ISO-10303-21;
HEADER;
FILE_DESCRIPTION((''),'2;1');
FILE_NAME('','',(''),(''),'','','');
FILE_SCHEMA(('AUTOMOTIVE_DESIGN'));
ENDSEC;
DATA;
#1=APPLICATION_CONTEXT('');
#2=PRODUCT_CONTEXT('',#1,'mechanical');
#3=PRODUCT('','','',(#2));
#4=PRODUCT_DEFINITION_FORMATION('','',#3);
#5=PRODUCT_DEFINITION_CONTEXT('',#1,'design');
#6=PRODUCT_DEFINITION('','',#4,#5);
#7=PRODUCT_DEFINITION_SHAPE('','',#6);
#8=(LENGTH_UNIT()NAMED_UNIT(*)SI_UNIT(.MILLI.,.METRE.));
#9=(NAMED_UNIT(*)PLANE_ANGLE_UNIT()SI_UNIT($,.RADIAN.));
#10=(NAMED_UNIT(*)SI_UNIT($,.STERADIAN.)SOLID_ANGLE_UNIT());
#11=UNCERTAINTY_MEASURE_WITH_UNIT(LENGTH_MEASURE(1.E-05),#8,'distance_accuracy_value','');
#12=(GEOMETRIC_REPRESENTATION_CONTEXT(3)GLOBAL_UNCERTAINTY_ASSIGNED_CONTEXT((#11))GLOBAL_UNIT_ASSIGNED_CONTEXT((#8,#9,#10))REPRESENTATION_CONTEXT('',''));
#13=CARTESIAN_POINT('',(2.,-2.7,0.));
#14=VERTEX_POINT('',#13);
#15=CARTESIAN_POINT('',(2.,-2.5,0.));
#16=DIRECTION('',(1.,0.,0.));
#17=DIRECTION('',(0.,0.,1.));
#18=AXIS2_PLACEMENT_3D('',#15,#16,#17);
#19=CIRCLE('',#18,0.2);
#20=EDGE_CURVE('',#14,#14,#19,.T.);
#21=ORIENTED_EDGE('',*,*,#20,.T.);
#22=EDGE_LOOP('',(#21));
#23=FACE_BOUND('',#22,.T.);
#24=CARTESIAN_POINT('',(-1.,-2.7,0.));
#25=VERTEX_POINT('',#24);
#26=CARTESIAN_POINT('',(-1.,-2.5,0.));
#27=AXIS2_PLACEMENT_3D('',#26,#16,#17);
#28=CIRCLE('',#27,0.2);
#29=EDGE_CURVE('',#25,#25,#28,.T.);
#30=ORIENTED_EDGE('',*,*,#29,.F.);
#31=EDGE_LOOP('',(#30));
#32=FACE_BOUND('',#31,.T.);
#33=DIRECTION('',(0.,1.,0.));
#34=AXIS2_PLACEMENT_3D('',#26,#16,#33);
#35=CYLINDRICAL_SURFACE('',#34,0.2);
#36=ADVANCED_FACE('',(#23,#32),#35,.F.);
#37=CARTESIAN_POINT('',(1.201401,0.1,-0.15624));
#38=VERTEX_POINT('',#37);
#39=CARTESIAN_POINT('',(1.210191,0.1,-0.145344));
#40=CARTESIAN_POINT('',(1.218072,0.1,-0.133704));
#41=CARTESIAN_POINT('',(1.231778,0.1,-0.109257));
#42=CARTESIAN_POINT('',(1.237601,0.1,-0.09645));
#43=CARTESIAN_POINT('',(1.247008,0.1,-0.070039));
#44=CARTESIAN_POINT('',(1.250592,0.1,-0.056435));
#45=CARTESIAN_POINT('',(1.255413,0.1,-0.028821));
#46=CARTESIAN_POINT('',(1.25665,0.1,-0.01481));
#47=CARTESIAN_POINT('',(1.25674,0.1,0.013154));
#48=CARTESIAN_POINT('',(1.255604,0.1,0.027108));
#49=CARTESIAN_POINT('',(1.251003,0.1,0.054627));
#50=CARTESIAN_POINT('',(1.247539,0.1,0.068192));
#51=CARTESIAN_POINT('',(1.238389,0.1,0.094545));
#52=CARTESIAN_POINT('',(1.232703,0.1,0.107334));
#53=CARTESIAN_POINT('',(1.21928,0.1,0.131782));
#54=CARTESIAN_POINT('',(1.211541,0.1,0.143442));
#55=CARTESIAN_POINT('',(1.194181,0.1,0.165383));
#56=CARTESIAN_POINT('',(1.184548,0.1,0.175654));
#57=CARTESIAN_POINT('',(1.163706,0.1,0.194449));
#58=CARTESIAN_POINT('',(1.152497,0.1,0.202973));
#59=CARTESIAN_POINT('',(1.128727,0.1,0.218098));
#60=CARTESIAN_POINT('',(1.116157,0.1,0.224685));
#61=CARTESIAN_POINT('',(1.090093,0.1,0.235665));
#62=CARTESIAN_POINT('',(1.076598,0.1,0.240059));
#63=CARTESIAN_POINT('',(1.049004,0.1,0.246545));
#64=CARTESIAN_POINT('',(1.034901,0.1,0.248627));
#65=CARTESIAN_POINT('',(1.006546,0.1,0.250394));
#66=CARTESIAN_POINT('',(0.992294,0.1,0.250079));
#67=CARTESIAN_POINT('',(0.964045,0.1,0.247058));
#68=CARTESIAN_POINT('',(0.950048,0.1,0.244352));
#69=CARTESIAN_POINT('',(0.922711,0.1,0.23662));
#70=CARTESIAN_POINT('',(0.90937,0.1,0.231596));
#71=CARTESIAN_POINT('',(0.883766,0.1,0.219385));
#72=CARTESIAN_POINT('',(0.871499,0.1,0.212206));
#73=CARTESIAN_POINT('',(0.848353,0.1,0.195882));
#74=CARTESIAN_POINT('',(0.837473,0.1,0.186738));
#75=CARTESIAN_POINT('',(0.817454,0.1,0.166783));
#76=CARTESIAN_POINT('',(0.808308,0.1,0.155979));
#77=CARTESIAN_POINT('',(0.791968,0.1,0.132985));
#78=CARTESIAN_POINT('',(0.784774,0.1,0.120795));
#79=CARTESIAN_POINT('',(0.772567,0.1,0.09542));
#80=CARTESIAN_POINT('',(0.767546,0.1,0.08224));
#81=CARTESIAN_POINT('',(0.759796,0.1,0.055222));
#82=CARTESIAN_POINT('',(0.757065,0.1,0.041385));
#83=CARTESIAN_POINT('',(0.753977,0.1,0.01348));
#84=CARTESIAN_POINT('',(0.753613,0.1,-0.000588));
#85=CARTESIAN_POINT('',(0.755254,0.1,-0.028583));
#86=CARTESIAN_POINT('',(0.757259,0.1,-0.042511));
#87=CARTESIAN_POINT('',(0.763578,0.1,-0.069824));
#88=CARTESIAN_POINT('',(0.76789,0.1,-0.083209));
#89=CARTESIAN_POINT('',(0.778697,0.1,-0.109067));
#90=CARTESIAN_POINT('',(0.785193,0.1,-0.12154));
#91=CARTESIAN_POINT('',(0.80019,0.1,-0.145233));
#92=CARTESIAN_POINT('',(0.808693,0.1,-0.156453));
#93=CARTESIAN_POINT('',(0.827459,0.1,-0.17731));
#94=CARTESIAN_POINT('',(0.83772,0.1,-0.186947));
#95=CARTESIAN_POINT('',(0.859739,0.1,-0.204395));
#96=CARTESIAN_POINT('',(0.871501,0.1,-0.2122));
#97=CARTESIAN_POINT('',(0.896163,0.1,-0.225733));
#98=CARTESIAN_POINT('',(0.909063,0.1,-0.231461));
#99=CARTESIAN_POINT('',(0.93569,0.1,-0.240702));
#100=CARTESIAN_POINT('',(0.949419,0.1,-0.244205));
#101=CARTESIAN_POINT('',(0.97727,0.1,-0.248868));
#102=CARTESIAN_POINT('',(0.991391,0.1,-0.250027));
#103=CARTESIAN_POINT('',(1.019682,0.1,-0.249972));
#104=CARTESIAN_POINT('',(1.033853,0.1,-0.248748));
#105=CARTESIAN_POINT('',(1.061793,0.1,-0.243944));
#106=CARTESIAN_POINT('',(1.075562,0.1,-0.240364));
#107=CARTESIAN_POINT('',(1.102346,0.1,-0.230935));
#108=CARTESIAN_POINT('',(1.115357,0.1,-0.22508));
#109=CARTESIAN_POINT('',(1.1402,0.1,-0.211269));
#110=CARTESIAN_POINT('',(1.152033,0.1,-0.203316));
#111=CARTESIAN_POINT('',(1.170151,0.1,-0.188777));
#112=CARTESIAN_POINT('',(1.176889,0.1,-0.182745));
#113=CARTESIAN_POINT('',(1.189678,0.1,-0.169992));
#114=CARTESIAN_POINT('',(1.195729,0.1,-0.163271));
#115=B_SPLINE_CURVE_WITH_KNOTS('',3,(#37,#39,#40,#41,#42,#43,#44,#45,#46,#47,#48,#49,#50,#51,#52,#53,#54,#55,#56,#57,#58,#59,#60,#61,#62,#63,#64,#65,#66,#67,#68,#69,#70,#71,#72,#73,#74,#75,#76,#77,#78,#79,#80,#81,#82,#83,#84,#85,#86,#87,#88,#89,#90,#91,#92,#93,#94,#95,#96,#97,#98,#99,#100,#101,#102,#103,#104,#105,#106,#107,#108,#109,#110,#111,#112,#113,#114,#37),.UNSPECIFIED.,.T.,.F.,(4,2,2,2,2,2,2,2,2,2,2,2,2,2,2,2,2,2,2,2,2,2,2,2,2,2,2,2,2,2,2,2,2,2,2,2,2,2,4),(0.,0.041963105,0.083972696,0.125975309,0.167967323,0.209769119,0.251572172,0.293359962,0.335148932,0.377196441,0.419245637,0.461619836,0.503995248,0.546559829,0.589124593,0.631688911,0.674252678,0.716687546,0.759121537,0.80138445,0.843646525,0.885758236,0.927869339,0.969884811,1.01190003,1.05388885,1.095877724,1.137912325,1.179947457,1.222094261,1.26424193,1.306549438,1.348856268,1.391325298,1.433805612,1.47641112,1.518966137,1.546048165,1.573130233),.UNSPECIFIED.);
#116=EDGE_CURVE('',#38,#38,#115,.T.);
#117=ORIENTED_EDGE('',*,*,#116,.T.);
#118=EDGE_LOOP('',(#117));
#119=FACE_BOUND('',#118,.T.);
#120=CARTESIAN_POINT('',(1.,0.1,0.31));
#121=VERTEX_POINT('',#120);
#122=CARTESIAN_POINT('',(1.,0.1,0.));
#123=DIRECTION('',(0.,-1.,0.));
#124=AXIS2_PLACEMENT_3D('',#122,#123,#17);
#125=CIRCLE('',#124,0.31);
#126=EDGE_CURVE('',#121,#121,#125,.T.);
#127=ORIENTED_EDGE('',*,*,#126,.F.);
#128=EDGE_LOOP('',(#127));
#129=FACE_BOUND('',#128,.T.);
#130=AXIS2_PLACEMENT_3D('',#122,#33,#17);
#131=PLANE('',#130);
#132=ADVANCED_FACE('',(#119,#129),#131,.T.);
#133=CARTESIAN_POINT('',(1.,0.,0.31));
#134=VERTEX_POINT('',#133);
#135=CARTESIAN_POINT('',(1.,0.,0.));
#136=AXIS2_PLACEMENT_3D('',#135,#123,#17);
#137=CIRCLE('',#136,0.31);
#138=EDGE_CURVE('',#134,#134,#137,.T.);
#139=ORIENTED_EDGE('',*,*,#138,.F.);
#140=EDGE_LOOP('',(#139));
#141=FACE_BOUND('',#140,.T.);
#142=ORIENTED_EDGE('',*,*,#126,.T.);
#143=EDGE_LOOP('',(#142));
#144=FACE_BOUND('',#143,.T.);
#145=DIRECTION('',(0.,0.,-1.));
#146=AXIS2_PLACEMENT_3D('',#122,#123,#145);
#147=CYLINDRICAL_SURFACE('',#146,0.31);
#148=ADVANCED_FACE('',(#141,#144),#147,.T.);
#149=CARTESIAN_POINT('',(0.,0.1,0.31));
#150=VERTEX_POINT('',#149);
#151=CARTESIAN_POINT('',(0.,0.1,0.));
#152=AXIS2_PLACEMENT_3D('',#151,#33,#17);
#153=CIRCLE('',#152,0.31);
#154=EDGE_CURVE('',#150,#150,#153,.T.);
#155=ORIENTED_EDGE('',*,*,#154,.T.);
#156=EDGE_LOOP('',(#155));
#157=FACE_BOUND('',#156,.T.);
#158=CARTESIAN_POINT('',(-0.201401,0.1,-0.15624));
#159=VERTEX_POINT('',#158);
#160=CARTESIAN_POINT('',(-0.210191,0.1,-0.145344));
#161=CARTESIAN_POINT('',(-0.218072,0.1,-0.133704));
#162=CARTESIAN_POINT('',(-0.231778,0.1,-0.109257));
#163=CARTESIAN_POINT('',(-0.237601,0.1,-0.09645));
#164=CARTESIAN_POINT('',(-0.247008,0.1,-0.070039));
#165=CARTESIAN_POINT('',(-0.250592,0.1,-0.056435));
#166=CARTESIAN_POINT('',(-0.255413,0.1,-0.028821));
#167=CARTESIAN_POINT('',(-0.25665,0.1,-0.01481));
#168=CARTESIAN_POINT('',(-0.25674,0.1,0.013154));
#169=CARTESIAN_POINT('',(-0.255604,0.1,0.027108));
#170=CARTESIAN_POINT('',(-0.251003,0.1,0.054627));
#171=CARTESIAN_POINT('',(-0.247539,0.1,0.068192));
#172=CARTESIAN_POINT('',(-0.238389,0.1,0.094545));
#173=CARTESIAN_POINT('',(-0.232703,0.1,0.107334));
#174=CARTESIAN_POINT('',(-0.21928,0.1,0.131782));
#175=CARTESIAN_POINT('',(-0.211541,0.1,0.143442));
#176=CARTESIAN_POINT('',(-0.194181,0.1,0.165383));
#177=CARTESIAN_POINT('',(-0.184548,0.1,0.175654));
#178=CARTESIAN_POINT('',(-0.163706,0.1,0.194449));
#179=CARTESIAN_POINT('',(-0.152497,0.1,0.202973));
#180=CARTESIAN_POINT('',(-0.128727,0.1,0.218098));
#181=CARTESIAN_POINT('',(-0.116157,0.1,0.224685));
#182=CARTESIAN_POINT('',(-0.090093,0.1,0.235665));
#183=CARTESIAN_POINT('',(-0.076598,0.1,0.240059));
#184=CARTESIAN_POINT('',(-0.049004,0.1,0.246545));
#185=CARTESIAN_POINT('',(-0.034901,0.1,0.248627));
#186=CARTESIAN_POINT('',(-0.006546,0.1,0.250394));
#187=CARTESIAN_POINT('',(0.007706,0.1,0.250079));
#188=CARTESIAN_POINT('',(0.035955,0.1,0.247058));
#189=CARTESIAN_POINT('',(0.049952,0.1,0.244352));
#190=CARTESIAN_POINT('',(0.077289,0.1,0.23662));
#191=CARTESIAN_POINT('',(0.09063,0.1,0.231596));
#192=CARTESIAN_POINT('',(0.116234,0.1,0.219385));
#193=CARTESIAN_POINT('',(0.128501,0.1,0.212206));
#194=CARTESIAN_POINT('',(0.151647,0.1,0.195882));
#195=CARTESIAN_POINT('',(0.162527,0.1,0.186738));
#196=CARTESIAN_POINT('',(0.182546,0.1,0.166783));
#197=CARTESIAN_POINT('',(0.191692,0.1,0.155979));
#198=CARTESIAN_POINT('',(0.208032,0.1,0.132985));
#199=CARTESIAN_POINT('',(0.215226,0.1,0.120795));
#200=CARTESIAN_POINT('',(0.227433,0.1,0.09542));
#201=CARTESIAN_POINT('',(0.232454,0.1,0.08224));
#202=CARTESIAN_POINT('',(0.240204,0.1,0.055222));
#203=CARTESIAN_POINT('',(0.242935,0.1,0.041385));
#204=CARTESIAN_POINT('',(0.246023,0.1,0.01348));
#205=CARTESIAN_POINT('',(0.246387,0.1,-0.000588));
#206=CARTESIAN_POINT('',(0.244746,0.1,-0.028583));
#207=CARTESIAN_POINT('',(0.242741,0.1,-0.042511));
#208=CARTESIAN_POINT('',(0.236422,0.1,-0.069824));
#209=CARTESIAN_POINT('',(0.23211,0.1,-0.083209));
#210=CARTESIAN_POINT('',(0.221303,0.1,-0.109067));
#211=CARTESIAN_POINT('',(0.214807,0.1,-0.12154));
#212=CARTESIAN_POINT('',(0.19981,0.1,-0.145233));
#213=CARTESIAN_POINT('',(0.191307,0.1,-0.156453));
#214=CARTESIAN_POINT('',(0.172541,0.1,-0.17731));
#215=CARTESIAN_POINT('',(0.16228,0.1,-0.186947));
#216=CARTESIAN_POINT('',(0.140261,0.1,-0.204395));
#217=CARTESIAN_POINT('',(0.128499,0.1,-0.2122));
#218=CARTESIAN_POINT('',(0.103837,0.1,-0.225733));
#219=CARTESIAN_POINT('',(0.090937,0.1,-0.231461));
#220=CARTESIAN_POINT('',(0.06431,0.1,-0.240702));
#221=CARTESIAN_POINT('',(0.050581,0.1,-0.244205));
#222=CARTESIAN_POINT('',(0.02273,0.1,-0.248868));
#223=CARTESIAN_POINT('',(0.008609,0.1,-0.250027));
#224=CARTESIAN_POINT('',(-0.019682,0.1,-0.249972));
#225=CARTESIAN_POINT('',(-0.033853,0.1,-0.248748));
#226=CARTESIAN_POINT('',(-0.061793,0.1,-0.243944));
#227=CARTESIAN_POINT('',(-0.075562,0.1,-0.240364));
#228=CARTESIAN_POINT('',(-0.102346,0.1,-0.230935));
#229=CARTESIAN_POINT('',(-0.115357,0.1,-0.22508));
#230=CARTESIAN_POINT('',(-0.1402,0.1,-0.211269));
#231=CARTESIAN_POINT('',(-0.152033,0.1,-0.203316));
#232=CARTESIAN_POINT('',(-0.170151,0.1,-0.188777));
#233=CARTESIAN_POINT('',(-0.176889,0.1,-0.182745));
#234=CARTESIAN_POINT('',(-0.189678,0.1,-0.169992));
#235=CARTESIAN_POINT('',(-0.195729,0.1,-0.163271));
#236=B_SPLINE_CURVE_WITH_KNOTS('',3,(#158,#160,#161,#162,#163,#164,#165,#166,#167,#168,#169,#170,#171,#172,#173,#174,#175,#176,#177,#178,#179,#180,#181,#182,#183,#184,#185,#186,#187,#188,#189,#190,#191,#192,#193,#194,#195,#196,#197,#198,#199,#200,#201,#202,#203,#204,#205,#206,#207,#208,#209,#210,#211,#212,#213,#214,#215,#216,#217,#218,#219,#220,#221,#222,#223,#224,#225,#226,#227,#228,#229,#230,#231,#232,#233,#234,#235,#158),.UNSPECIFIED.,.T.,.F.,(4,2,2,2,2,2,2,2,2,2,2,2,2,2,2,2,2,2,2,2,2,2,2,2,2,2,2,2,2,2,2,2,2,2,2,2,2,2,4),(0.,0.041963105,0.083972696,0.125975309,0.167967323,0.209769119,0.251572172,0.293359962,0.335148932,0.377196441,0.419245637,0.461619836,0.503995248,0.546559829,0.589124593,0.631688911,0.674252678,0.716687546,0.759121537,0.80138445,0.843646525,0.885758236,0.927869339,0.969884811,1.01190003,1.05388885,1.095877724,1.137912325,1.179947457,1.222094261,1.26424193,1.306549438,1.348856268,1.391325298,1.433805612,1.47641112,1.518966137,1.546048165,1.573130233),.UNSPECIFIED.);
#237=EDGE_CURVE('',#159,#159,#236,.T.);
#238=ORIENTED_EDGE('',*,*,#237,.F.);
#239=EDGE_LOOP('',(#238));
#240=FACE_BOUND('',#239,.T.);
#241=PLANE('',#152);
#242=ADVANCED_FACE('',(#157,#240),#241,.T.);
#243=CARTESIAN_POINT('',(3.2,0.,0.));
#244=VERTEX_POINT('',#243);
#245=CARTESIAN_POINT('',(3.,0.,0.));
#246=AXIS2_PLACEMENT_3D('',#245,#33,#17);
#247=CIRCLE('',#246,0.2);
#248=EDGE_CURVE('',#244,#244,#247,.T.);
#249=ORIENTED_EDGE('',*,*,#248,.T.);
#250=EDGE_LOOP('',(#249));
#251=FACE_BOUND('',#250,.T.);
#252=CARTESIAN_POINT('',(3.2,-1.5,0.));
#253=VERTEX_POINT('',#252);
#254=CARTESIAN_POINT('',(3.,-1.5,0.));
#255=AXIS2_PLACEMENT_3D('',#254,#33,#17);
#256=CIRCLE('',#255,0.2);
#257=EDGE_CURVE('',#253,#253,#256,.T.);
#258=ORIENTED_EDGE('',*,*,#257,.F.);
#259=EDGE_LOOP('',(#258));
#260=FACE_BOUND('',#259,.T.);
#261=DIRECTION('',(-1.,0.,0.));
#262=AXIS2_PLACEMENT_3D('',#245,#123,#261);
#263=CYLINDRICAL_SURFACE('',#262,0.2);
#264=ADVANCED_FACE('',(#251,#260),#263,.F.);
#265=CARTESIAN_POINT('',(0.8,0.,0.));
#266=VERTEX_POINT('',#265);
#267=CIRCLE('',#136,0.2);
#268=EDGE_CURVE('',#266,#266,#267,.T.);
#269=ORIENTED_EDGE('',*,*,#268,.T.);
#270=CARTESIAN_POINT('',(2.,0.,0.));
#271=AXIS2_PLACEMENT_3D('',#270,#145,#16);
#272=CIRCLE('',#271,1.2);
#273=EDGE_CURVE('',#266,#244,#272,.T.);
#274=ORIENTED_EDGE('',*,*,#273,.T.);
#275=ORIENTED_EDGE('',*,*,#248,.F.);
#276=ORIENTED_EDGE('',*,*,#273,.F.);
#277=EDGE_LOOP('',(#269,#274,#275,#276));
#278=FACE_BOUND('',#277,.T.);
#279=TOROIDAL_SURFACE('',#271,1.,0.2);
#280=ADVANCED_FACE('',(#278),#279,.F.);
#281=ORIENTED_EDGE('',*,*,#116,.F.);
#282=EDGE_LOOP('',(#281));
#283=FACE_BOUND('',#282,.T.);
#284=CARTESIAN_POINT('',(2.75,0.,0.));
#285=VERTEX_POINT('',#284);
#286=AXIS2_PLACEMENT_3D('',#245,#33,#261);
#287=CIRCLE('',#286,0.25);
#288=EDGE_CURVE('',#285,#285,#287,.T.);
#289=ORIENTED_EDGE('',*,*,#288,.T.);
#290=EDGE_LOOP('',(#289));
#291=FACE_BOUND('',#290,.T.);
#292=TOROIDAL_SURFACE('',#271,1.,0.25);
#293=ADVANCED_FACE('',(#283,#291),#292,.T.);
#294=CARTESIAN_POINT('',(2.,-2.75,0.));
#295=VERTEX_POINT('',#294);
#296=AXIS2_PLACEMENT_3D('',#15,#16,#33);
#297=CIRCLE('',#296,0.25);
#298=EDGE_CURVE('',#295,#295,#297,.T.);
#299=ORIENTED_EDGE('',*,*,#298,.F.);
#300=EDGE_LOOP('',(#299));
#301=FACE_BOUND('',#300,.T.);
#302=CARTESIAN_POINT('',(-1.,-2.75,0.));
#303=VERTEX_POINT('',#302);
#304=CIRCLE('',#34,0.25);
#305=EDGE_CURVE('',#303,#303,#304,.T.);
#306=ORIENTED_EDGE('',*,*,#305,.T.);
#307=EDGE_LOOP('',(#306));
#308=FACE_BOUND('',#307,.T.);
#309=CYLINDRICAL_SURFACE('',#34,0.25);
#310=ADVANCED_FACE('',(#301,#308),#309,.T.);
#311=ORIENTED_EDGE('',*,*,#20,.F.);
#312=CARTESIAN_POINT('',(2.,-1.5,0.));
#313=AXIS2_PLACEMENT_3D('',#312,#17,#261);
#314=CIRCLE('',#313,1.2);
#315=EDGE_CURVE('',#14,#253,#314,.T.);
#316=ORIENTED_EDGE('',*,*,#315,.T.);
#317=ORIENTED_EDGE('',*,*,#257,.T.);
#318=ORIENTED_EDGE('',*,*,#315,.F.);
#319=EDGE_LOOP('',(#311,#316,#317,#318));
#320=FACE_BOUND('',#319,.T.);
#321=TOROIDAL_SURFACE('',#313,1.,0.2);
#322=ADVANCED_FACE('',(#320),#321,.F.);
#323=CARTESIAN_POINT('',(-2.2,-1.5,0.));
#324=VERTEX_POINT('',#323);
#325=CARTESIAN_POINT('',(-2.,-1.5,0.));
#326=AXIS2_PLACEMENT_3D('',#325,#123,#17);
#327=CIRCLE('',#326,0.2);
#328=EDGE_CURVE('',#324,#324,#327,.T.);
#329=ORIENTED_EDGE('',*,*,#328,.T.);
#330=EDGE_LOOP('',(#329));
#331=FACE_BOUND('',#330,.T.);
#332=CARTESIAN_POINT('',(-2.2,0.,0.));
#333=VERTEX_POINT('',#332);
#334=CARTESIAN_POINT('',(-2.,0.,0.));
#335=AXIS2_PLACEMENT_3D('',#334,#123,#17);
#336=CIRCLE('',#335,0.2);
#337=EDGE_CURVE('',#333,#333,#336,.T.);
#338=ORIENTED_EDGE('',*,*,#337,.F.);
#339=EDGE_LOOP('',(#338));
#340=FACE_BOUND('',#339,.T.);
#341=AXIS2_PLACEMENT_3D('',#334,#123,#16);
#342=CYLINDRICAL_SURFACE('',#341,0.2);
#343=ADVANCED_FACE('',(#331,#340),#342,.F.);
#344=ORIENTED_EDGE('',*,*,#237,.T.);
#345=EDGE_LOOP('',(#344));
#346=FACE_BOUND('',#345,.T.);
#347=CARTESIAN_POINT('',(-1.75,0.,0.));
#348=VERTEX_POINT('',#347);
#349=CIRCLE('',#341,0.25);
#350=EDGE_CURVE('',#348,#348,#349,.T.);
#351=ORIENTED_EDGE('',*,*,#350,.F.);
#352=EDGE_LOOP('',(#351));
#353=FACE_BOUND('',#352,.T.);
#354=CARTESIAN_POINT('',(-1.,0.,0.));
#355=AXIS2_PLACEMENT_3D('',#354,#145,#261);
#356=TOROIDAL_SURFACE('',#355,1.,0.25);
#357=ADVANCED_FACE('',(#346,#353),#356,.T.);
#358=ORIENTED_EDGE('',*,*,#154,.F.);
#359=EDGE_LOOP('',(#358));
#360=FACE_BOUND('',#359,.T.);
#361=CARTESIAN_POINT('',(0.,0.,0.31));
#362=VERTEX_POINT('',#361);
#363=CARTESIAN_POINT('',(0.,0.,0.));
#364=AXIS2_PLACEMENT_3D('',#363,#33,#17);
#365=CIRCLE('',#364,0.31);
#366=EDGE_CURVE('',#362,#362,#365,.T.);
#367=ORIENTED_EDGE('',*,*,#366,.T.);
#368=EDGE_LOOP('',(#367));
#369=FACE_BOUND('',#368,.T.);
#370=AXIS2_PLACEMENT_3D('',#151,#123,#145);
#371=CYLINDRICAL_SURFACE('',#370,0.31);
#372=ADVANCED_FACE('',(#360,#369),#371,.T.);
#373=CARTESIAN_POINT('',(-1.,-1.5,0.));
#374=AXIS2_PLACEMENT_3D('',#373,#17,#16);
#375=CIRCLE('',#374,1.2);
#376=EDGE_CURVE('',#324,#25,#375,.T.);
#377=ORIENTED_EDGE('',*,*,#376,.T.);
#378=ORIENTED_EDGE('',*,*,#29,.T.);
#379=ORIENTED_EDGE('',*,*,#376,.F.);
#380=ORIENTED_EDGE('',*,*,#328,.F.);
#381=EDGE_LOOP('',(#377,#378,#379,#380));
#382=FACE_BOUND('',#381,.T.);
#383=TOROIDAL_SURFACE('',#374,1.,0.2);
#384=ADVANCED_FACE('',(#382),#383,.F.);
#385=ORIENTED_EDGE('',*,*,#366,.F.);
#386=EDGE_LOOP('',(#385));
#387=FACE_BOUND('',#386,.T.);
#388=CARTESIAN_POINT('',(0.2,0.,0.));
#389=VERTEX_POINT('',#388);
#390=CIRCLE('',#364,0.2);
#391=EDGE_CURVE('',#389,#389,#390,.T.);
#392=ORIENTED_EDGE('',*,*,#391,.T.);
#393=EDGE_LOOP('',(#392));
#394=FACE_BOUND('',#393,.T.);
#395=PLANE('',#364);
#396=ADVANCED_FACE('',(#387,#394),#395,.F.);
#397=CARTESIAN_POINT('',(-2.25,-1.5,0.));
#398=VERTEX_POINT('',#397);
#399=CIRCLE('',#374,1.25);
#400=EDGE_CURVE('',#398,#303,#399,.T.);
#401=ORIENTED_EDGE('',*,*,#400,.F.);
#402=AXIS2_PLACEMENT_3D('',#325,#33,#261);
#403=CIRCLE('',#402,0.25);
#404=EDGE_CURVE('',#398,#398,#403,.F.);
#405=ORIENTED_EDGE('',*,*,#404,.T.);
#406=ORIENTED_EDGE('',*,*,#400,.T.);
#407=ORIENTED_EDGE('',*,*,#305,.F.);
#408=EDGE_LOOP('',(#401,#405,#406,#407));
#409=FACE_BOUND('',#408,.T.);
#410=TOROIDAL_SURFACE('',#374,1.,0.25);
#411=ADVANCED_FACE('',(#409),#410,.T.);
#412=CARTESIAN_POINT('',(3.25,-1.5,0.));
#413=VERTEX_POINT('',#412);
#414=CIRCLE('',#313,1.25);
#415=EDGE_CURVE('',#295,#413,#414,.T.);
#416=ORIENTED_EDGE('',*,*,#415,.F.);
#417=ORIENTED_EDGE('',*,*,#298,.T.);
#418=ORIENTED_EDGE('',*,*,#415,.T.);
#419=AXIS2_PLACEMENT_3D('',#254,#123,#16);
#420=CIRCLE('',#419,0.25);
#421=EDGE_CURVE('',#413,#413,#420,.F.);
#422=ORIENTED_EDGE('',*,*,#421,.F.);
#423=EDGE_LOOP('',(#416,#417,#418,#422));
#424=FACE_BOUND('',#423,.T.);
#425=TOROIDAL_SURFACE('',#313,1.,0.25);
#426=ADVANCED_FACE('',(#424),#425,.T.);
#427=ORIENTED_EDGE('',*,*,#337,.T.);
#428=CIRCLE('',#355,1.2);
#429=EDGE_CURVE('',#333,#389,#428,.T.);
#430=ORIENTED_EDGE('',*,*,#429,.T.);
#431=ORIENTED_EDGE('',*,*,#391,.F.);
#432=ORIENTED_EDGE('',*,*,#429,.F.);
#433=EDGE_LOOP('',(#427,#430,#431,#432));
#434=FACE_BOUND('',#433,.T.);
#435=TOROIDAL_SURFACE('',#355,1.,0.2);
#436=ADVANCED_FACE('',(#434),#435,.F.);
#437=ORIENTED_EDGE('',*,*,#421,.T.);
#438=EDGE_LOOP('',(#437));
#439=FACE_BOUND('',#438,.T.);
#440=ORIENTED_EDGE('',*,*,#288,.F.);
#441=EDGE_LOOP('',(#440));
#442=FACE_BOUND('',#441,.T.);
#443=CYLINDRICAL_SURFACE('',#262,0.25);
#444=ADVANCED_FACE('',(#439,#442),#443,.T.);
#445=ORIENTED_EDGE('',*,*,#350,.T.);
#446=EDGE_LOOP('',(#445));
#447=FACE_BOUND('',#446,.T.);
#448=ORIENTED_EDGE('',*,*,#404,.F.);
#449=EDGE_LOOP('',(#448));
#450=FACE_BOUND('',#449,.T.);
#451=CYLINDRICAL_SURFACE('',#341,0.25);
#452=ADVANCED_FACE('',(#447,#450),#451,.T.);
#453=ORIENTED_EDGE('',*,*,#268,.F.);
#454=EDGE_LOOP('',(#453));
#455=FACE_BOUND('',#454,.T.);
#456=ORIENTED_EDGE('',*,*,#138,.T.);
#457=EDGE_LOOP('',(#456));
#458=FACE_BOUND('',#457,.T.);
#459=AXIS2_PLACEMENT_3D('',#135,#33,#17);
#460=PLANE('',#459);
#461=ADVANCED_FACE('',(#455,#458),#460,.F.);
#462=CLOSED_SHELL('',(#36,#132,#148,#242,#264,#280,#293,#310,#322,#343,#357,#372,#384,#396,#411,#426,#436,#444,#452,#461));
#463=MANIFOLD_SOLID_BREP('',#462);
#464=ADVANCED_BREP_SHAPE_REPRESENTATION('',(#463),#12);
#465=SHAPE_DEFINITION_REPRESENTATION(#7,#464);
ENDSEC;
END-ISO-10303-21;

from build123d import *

# Parameters (mm, degrees)
SKETCH3_R   = 0.25
SKETCH3_R_2 = 0.2
SKETCH6_R   = 0.31
SKETCH6_R_2 = 0.21


with BuildPart() as part:
    # Sweep-Thin1: sweep along a path in Sketch1
    with BuildLine(Plane.XY) as sweep_thin1_path:
        Line((0.5, -2.5), (-1, -2.5))
        ThreePointArc((-1, -2.5), (-1.707106781, -2.207106781), (-2, -1.5))
        Line((-2, -1.5), (-2, 0))
        ThreePointArc((-2, 0), (-1, 1), (0, 0))
    # Sketch3 → Sweep-Thin1 (sweep)
    with BuildSketch(Plane(origin=(0, 0, 0), x_dir=(1, 0, 0), z_dir=(0, 1, 0))):
        Circle(SKETCH3_R)
        Circle(SKETCH3_R_2, mode=Mode.SUBTRACT)
    sweep(path=sweep_thin1_path.line)

    # Sweep-Thin2: sweep along a path in Sketch5
    with BuildLine(Plane.XY) as sweep_thin2_path:
        Line((0, 0), (0, 0.1))
    # Sketch6 → Sweep-Thin2 (sweep)
    with BuildSketch(Plane(origin=(0, 0, 0), x_dir=(1, 0, 0), z_dir=(0, 1, 0))):
        Circle(SKETCH6_R)
        Circle(SKETCH6_R_2, mode=Mode.SUBTRACT)
    sweep(path=sweep_thin2_path.line)

    # Mirror2: part across plane


with BuildPart() as part_1:
    add(part.part)
    add(part.part.mirror(Plane(origin=(0.5, -2.5, 0), x_dir=(0, 0, 1), z_dir=(1, 0, 0))))


solid = part_1.part
